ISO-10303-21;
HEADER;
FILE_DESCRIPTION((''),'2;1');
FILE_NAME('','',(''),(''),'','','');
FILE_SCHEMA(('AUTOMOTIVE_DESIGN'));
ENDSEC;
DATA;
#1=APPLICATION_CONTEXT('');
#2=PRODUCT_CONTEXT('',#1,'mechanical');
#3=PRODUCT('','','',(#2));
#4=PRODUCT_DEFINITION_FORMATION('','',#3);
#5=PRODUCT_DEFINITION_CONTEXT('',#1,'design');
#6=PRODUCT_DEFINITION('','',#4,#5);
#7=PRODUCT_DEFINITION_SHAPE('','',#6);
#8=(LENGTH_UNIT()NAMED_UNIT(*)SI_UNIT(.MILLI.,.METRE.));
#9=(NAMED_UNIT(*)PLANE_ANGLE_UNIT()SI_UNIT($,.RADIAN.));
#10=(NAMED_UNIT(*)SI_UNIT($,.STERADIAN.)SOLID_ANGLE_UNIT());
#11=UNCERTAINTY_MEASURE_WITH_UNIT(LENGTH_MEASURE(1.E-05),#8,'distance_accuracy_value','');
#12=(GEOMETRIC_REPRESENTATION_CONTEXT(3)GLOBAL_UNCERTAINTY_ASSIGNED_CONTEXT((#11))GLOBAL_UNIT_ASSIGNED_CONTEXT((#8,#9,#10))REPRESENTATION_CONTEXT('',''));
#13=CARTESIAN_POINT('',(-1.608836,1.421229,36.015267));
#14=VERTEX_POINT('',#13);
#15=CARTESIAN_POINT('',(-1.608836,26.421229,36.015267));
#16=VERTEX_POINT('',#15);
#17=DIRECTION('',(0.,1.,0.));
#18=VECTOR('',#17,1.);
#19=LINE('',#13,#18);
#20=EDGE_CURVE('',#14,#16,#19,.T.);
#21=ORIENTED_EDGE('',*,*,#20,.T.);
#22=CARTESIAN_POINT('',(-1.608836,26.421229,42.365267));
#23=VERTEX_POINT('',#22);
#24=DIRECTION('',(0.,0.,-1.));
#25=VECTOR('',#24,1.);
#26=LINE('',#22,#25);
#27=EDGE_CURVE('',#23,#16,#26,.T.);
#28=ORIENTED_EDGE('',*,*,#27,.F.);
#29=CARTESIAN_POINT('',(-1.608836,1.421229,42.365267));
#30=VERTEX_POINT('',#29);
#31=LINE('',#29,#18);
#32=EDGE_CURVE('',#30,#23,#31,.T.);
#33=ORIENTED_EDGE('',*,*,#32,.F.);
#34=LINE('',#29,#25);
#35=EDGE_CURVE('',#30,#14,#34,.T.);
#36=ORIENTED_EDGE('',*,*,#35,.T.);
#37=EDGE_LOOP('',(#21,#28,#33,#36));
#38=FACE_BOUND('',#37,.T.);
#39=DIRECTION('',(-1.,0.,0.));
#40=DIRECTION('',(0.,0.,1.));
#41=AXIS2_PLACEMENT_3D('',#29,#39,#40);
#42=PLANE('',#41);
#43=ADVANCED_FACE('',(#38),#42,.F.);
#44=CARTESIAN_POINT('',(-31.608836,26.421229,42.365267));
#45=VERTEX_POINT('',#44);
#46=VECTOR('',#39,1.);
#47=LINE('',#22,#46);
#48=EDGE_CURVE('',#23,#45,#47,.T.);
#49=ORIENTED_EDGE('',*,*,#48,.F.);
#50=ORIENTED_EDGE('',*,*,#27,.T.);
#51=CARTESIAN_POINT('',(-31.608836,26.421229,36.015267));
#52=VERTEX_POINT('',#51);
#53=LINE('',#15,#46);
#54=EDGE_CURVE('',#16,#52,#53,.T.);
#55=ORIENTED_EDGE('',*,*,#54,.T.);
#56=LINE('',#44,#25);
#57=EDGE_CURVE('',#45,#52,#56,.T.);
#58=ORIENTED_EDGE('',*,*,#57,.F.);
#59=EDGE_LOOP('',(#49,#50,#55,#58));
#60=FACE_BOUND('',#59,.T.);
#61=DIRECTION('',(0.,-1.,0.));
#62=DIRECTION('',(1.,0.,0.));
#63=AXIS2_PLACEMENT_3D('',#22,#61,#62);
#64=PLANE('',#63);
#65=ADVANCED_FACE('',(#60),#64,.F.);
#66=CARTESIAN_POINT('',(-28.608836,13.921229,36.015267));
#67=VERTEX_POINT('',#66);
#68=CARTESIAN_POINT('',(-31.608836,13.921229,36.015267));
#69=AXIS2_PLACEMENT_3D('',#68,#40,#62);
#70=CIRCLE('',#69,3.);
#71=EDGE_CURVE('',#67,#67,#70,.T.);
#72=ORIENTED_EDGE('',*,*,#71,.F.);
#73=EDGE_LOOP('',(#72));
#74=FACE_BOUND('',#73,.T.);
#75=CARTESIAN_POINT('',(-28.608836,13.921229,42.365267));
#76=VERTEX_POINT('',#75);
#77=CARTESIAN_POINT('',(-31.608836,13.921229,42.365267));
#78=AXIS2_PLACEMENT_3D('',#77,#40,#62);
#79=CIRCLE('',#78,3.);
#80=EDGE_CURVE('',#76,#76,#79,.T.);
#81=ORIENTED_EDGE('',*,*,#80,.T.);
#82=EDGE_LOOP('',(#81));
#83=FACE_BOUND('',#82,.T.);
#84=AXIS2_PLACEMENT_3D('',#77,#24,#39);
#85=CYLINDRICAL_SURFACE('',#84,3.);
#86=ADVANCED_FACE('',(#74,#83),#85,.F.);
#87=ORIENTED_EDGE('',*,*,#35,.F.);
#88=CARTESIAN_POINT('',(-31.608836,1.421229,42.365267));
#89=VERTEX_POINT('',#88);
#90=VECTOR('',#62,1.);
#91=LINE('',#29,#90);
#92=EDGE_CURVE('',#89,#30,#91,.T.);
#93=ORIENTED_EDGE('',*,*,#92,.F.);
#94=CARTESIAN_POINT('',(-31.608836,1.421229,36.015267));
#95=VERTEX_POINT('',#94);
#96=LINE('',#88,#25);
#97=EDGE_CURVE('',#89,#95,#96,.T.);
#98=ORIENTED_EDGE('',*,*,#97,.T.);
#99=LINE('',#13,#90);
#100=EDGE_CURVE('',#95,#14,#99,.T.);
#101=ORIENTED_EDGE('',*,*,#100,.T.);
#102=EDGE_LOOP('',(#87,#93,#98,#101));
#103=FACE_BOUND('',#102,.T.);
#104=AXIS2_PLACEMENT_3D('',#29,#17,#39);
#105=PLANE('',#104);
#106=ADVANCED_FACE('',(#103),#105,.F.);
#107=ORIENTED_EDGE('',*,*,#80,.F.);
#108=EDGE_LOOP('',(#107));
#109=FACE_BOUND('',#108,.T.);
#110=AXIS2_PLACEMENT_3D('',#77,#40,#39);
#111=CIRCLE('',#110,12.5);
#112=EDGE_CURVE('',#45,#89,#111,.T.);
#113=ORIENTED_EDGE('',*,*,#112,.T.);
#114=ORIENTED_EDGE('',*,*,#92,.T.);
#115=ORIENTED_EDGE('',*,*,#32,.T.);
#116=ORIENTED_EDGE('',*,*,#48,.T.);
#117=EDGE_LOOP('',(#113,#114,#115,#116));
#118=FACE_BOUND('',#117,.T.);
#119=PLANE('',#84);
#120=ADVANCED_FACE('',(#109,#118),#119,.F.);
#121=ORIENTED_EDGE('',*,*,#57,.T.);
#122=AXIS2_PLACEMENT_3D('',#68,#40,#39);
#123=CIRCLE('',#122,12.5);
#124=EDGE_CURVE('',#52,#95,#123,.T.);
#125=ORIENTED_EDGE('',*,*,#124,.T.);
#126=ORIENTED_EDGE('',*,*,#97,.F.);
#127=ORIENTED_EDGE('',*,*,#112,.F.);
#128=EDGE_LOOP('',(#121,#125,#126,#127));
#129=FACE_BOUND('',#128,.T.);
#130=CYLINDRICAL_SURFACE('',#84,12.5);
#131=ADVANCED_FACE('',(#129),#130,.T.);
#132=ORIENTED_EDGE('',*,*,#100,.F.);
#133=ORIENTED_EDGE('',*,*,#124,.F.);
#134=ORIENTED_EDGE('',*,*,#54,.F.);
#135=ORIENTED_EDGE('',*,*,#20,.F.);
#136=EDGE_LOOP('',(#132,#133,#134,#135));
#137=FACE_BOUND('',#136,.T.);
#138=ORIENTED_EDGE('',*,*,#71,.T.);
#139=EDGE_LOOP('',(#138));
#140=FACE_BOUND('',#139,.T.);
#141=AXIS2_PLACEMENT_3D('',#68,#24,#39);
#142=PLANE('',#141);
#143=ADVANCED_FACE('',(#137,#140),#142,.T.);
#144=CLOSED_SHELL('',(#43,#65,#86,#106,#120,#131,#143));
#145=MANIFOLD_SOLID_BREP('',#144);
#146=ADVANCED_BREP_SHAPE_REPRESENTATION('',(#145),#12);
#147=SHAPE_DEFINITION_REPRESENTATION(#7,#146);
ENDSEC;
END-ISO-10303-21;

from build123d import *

# Parameters (mm, degrees)
SKETCH1_R           = 3
BOSS_EXTRUDE1_DEPTH = 6.35


with BuildPart() as part:
    # Sketch1 → Boss-Extrude1 (new body)
    with BuildSketch(Plane.XY.offset(36.015266699)):
        with BuildLine():
            Line((-1.608835655, 1.421229345), (-31.608835655, 1.421229345))
            ThreePointArc((-31.608835655, 1.421229345), (-44.108835655, 13.921229345), (-31.608835655, 26.421229345))
            Line((-31.608835655, 26.421229345), (-1.608835655, 26.421229345))
            Line((-1.608835655, 26.421229345), (-1.608835655, 1.421229345))
        make_face()
        with Locations((-31.608835655, 13.921229345)):
            Circle(SKETCH1_R, mode=Mode.SUBTRACT)
    extrude(amount=BOSS_EXTRUDE1_DEPTH)


solid = part.part
